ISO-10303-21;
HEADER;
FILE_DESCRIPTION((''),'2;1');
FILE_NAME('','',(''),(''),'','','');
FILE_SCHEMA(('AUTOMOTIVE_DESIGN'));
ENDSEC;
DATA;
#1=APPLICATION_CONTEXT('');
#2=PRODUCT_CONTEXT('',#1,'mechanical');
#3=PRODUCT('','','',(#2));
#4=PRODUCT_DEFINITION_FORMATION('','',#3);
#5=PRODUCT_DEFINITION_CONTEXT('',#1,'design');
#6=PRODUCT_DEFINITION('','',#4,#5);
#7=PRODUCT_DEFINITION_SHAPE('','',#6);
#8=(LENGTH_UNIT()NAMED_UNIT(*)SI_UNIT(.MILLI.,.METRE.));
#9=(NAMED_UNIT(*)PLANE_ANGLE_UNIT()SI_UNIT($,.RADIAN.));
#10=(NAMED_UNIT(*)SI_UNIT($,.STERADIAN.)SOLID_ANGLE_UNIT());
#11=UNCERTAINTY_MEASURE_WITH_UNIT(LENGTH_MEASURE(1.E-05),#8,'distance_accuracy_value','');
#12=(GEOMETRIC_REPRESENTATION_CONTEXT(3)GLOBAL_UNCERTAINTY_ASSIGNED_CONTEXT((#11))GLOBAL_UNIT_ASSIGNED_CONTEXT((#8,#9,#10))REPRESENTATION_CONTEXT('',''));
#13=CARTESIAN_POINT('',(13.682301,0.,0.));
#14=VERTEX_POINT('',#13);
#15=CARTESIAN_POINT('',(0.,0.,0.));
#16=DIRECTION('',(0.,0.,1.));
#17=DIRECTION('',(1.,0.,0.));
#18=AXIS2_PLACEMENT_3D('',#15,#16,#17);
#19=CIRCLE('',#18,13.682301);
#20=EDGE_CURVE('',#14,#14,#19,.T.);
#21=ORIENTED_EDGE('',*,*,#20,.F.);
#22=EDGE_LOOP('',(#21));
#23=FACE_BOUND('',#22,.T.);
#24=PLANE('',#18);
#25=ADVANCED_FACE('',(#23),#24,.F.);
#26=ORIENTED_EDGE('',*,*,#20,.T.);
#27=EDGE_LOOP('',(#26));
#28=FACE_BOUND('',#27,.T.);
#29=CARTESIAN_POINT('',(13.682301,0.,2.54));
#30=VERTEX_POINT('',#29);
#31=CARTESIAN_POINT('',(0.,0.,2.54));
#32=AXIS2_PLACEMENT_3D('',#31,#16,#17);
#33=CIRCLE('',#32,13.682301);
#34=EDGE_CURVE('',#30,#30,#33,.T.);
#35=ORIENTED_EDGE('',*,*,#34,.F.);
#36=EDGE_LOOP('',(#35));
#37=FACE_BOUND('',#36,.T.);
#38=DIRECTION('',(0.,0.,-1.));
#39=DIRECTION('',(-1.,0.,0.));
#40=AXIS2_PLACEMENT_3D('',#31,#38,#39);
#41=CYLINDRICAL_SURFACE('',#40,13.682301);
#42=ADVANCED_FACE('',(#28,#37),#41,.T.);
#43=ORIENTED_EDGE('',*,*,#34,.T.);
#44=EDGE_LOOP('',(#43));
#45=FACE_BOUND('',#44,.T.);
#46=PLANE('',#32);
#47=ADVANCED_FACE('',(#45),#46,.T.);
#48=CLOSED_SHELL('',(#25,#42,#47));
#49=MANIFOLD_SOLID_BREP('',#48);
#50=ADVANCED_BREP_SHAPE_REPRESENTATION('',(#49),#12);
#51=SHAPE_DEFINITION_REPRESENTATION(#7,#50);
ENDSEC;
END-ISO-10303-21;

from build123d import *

# Parameters (mm, degrees)
SKETCH1_R      = 13.682300667
EXTRUDE1_DEPTH = 2.54


with BuildPart() as part:
    # Sketch1 → Extrude1 (new body)
    with BuildSketch(Plane.XY):
        Circle(SKETCH1_R)
    extrude(amount=EXTRUDE1_DEPTH)


solid = part.part
